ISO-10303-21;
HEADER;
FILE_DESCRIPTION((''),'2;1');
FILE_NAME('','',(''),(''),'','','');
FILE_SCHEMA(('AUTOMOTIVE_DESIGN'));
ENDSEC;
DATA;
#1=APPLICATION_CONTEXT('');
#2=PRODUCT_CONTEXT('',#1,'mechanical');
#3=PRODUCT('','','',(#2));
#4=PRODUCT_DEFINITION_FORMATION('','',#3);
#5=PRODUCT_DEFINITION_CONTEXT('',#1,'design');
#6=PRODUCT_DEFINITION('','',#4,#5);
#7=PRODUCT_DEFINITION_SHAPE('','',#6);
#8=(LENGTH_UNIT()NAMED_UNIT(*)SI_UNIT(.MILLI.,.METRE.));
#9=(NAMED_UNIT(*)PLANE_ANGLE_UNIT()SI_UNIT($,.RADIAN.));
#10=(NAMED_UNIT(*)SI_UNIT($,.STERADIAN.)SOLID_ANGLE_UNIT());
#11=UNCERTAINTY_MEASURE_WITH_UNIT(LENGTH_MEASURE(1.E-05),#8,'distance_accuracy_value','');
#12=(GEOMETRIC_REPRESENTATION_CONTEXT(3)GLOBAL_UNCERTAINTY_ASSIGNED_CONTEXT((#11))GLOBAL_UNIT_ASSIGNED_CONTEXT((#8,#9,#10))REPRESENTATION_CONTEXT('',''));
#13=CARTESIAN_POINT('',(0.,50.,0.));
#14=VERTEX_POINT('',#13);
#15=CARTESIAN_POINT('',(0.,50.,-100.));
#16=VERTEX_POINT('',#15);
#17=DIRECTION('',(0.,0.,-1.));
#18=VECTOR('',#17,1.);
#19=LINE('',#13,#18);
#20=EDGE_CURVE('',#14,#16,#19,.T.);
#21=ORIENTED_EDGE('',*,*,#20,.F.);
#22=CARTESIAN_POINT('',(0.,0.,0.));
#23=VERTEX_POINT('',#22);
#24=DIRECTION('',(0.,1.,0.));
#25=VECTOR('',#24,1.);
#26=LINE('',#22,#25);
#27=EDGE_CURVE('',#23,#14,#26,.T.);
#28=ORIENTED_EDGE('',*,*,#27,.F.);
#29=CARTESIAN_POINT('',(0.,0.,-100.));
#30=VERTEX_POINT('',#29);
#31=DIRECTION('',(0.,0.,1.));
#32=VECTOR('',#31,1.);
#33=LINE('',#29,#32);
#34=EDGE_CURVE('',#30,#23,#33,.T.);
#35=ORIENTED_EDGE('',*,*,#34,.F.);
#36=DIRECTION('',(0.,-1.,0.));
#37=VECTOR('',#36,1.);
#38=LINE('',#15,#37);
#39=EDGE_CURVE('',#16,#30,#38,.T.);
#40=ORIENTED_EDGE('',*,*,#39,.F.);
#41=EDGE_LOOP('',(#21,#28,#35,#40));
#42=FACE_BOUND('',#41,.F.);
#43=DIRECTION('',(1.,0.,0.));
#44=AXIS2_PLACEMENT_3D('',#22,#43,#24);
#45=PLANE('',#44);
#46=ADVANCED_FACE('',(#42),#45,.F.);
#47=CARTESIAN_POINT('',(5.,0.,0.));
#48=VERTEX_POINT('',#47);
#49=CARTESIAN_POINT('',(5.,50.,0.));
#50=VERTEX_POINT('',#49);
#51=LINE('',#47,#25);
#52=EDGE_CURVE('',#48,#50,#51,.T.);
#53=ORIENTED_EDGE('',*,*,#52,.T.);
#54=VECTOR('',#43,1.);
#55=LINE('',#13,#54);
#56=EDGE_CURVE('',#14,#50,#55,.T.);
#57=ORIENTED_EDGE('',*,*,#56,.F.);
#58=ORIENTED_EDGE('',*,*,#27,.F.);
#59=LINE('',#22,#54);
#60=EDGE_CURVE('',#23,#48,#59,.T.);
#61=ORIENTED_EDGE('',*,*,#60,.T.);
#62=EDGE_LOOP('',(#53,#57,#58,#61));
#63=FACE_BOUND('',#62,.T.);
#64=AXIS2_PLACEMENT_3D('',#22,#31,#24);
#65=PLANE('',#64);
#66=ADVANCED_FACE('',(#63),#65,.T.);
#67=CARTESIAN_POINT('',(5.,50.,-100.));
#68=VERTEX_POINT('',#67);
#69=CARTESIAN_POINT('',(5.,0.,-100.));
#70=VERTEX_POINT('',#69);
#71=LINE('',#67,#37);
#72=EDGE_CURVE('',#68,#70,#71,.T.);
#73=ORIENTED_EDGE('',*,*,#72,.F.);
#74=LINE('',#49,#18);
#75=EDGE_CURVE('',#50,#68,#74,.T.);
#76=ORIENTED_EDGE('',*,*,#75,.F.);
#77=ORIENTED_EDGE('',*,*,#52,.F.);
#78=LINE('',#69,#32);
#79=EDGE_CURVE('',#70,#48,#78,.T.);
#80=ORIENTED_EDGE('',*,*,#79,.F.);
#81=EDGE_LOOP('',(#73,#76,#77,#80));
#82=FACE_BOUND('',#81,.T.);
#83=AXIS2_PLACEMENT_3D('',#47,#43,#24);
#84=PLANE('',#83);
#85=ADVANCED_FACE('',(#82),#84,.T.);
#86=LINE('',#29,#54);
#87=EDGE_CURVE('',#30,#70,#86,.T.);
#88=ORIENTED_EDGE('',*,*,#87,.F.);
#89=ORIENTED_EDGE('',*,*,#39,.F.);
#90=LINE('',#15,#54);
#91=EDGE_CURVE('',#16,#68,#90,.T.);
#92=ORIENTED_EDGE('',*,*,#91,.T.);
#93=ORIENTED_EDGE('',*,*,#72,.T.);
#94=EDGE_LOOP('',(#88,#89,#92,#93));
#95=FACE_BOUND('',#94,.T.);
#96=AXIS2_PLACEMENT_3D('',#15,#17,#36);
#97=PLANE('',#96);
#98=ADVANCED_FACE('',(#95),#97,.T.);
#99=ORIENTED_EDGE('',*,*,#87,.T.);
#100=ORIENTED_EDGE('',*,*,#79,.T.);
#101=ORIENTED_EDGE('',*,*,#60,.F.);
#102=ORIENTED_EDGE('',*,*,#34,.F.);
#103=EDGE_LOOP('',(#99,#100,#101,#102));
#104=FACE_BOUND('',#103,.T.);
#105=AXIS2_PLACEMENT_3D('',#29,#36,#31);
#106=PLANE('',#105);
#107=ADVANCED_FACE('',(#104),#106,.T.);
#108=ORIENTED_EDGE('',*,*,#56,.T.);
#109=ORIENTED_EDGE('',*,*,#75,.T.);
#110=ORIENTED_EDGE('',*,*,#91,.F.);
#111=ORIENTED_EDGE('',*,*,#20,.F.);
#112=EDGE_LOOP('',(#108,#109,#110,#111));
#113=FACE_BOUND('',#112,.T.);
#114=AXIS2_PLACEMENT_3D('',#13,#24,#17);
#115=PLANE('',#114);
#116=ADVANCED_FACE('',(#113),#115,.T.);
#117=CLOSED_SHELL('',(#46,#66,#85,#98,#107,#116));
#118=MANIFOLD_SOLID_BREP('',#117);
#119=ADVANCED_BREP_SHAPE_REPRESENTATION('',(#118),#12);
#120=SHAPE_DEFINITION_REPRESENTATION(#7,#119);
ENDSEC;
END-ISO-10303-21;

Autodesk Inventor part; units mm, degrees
ref_plane "YZ Plane" through (0, 0, 0) normal (1, 0, 0) x (0, 1, 0)
ref_plane "XZ Plane" through (0, 0, 0) normal (0, 1, 0) x (-1, 0, 0)
ref_plane "XY Plane" through (0, 0, 0) normal (0, 0, 1) x (1, 0, 0)
sketch "Sketch1" plane through (0, 0, 0) normal (1, 0, 0) x (0, 1, 0)
  line L0 (0, 0) -> (50, 0)
  line L1 (50, 0) -> (50, -100)
  line L2 (50, -100) -> (0, -100)
  line L3 (0, -100) -> (0, 0)
  dimension "d0" = 50
  dimension "d1" = 100
extrude "Extrusion1" add sketch "Sketch1" along normal blind 5
properties part number "LEG_ATTACHMENT1" material "Steel, Mild"
